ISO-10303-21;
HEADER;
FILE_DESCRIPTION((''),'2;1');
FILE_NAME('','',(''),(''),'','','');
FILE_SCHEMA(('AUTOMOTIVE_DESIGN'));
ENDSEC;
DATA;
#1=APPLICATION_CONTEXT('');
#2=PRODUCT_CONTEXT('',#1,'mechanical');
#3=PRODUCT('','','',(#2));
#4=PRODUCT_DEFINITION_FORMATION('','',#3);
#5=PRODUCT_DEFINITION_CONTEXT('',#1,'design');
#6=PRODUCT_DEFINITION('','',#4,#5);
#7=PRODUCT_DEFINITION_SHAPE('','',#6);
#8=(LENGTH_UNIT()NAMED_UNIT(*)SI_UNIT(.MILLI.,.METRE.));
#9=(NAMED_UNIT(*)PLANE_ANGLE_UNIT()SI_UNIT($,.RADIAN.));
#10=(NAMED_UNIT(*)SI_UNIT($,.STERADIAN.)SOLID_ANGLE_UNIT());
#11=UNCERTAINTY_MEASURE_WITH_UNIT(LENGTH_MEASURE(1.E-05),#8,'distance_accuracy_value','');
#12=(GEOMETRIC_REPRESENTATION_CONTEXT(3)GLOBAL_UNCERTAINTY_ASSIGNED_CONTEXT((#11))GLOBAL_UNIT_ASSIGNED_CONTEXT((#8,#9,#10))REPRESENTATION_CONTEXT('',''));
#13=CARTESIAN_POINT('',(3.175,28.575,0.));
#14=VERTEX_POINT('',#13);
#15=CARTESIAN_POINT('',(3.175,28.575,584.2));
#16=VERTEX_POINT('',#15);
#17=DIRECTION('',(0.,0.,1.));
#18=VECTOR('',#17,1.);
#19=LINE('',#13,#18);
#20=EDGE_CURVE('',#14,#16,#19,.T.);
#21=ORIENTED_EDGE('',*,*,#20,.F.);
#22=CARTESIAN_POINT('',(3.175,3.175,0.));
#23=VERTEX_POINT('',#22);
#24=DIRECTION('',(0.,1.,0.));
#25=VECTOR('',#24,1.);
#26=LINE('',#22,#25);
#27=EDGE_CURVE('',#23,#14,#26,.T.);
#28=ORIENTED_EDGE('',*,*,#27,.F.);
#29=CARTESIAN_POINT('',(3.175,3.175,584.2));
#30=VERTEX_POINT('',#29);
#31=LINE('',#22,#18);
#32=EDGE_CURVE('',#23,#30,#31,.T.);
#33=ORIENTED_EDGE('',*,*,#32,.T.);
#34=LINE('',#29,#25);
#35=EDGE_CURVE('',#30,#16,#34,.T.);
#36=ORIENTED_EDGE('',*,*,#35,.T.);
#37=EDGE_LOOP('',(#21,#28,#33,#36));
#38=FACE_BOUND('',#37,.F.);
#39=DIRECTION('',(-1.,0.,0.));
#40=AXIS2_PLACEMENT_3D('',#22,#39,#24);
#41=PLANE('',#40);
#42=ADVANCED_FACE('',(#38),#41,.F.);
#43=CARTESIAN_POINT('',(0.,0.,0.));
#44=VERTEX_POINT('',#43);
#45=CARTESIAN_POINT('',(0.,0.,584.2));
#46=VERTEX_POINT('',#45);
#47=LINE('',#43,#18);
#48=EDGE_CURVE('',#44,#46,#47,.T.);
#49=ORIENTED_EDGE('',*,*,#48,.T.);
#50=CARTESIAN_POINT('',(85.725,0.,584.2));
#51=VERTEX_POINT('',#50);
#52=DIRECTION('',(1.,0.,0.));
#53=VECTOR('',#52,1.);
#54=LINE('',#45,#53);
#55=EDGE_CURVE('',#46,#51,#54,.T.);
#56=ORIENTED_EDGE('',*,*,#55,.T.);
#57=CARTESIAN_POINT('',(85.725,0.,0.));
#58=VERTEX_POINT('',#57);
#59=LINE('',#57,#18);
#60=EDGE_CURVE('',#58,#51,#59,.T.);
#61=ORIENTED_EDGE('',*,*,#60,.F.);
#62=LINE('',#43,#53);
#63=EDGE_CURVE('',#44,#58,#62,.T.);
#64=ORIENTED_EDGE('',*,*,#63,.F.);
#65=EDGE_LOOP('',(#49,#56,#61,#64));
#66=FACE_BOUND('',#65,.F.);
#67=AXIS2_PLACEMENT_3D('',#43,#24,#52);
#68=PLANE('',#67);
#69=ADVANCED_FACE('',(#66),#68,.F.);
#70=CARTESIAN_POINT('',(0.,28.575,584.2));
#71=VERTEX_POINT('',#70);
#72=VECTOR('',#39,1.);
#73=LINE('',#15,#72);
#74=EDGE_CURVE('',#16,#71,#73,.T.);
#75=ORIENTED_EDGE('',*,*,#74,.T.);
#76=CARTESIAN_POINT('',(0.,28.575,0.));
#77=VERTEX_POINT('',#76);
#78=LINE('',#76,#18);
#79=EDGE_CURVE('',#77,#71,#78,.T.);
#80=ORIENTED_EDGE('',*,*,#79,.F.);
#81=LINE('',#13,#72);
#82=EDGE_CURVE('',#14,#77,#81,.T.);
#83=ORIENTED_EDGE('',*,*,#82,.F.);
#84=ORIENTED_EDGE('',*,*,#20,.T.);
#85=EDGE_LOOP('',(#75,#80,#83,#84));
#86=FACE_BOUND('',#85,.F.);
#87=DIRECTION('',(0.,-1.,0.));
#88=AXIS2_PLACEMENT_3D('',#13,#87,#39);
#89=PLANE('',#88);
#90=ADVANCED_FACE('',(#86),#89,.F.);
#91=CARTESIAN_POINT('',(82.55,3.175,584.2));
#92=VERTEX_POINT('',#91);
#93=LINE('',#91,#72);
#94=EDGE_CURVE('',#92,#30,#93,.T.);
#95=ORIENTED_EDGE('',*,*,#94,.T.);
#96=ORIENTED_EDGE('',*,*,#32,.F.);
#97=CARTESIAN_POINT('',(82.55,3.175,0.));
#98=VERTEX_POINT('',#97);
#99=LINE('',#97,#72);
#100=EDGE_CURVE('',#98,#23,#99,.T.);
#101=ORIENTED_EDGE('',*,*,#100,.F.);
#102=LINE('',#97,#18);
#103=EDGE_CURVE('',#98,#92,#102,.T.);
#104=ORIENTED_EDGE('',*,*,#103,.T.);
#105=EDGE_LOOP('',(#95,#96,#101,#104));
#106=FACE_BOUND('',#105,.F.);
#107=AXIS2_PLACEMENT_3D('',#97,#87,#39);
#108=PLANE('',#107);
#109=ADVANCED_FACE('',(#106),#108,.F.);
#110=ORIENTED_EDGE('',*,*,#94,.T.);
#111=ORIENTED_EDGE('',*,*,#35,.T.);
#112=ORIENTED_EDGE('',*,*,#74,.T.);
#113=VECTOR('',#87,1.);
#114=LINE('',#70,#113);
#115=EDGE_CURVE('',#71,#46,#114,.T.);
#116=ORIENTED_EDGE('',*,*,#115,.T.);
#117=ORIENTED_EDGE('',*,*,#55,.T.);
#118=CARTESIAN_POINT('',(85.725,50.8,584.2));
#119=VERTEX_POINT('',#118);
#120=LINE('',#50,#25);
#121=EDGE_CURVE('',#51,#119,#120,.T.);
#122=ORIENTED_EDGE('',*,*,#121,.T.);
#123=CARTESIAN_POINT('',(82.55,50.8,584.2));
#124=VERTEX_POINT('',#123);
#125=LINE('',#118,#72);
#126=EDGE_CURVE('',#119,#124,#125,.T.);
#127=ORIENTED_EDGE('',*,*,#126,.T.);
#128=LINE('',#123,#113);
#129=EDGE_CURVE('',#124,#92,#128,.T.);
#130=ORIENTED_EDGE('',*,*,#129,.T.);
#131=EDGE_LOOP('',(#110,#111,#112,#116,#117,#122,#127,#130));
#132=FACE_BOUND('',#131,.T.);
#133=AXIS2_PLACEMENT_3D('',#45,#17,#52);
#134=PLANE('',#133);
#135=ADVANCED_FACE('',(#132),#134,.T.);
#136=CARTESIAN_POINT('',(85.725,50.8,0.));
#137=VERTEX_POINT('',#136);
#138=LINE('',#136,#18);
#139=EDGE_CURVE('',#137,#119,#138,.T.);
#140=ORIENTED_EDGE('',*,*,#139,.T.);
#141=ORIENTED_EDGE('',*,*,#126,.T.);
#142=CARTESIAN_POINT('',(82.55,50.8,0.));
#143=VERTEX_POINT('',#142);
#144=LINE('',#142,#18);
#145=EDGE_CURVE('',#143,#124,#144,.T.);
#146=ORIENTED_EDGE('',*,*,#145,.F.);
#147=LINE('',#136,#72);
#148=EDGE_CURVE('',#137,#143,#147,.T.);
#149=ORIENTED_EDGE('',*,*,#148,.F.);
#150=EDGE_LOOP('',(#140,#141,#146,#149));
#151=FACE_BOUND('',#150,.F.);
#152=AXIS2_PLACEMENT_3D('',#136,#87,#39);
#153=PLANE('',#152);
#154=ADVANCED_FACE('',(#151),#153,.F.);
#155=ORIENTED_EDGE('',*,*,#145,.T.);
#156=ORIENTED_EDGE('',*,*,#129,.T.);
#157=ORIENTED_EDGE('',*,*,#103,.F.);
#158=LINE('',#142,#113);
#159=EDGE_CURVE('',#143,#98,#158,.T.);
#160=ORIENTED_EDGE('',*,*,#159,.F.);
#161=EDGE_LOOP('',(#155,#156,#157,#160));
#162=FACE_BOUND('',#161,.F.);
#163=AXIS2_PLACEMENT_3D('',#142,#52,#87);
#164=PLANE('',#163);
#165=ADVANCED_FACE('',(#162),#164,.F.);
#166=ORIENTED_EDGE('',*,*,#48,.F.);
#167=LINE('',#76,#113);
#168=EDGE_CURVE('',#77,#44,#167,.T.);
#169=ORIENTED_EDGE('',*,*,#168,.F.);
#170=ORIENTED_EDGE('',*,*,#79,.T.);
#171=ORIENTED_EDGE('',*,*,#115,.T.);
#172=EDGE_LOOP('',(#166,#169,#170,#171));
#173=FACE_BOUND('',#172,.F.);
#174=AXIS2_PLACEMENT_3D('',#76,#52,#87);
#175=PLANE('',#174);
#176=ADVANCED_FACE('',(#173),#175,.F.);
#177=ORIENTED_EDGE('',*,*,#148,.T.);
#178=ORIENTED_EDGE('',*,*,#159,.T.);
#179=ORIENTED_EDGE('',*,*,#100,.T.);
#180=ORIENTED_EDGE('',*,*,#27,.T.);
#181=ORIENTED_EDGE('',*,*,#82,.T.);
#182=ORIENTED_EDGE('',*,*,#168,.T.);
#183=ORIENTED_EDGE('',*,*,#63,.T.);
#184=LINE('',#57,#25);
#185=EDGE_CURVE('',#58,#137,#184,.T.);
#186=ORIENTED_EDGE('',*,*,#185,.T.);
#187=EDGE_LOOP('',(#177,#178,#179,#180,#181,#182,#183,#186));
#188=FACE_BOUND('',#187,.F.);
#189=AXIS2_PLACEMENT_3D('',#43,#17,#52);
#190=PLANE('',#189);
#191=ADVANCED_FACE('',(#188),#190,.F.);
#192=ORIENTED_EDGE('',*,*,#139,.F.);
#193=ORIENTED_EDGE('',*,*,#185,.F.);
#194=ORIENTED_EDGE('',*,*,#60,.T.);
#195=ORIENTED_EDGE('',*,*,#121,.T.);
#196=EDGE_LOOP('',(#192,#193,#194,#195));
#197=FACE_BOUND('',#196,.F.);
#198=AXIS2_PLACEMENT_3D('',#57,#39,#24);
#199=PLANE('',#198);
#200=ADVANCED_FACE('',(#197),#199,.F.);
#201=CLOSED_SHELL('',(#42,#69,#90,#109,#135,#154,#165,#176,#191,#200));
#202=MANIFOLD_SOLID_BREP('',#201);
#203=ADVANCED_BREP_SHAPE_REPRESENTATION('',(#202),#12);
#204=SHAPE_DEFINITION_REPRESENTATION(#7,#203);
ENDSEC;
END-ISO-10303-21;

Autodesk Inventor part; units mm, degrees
ref_plane "YZ Plane" through (0, 0, 0) normal (1, 0, 0) x (0, 1, 0)
ref_plane "XZ Plane" through (0, 0, 0) normal (0, 1, 0) x (-1, 0, 0)
ref_plane "XY Plane" through (0, 0, 0) normal (0, 0, 1) x (1, 0, 0)
sketch "Sketch1" plane through (0, 0, 0) normal (0, 0, 1) x (1, 0, 0)
  line L0 (0, 0) -> (85.725, 0)
  line L1 (0, 0) -> (85.725, 0) construction
  line L2 (85.725, 0) -> (85.725, 50.8)
  line L3 (85.725, 50.8) -> (82.55, 50.8)
  line L4 (82.55, 50.8) -> (82.55, 3.175)
  line L5 (82.55, 3.175) -> (3.175, 3.175)
  line L6 (3.175, 3.175) -> (3.175, 28.575)
  line L7 (3.175, 28.575) -> (0, 28.575)
  line L8 (0, 28.575) -> (0, 0)
  dimension "d0" = 85.725
  dimension "d1" = 0
  dimension "d2" = 50.8
  dimension "d3" = 90
  dimension "d4" = 3.175
  dimension "d5" = 47.625
  dimension "d6" = 79.375
  dimension "d7" = 25.4
extrude "Extrusion1" add sketch "Sketch1" along normal blind 584.2
properties part number "FrameFandB"
